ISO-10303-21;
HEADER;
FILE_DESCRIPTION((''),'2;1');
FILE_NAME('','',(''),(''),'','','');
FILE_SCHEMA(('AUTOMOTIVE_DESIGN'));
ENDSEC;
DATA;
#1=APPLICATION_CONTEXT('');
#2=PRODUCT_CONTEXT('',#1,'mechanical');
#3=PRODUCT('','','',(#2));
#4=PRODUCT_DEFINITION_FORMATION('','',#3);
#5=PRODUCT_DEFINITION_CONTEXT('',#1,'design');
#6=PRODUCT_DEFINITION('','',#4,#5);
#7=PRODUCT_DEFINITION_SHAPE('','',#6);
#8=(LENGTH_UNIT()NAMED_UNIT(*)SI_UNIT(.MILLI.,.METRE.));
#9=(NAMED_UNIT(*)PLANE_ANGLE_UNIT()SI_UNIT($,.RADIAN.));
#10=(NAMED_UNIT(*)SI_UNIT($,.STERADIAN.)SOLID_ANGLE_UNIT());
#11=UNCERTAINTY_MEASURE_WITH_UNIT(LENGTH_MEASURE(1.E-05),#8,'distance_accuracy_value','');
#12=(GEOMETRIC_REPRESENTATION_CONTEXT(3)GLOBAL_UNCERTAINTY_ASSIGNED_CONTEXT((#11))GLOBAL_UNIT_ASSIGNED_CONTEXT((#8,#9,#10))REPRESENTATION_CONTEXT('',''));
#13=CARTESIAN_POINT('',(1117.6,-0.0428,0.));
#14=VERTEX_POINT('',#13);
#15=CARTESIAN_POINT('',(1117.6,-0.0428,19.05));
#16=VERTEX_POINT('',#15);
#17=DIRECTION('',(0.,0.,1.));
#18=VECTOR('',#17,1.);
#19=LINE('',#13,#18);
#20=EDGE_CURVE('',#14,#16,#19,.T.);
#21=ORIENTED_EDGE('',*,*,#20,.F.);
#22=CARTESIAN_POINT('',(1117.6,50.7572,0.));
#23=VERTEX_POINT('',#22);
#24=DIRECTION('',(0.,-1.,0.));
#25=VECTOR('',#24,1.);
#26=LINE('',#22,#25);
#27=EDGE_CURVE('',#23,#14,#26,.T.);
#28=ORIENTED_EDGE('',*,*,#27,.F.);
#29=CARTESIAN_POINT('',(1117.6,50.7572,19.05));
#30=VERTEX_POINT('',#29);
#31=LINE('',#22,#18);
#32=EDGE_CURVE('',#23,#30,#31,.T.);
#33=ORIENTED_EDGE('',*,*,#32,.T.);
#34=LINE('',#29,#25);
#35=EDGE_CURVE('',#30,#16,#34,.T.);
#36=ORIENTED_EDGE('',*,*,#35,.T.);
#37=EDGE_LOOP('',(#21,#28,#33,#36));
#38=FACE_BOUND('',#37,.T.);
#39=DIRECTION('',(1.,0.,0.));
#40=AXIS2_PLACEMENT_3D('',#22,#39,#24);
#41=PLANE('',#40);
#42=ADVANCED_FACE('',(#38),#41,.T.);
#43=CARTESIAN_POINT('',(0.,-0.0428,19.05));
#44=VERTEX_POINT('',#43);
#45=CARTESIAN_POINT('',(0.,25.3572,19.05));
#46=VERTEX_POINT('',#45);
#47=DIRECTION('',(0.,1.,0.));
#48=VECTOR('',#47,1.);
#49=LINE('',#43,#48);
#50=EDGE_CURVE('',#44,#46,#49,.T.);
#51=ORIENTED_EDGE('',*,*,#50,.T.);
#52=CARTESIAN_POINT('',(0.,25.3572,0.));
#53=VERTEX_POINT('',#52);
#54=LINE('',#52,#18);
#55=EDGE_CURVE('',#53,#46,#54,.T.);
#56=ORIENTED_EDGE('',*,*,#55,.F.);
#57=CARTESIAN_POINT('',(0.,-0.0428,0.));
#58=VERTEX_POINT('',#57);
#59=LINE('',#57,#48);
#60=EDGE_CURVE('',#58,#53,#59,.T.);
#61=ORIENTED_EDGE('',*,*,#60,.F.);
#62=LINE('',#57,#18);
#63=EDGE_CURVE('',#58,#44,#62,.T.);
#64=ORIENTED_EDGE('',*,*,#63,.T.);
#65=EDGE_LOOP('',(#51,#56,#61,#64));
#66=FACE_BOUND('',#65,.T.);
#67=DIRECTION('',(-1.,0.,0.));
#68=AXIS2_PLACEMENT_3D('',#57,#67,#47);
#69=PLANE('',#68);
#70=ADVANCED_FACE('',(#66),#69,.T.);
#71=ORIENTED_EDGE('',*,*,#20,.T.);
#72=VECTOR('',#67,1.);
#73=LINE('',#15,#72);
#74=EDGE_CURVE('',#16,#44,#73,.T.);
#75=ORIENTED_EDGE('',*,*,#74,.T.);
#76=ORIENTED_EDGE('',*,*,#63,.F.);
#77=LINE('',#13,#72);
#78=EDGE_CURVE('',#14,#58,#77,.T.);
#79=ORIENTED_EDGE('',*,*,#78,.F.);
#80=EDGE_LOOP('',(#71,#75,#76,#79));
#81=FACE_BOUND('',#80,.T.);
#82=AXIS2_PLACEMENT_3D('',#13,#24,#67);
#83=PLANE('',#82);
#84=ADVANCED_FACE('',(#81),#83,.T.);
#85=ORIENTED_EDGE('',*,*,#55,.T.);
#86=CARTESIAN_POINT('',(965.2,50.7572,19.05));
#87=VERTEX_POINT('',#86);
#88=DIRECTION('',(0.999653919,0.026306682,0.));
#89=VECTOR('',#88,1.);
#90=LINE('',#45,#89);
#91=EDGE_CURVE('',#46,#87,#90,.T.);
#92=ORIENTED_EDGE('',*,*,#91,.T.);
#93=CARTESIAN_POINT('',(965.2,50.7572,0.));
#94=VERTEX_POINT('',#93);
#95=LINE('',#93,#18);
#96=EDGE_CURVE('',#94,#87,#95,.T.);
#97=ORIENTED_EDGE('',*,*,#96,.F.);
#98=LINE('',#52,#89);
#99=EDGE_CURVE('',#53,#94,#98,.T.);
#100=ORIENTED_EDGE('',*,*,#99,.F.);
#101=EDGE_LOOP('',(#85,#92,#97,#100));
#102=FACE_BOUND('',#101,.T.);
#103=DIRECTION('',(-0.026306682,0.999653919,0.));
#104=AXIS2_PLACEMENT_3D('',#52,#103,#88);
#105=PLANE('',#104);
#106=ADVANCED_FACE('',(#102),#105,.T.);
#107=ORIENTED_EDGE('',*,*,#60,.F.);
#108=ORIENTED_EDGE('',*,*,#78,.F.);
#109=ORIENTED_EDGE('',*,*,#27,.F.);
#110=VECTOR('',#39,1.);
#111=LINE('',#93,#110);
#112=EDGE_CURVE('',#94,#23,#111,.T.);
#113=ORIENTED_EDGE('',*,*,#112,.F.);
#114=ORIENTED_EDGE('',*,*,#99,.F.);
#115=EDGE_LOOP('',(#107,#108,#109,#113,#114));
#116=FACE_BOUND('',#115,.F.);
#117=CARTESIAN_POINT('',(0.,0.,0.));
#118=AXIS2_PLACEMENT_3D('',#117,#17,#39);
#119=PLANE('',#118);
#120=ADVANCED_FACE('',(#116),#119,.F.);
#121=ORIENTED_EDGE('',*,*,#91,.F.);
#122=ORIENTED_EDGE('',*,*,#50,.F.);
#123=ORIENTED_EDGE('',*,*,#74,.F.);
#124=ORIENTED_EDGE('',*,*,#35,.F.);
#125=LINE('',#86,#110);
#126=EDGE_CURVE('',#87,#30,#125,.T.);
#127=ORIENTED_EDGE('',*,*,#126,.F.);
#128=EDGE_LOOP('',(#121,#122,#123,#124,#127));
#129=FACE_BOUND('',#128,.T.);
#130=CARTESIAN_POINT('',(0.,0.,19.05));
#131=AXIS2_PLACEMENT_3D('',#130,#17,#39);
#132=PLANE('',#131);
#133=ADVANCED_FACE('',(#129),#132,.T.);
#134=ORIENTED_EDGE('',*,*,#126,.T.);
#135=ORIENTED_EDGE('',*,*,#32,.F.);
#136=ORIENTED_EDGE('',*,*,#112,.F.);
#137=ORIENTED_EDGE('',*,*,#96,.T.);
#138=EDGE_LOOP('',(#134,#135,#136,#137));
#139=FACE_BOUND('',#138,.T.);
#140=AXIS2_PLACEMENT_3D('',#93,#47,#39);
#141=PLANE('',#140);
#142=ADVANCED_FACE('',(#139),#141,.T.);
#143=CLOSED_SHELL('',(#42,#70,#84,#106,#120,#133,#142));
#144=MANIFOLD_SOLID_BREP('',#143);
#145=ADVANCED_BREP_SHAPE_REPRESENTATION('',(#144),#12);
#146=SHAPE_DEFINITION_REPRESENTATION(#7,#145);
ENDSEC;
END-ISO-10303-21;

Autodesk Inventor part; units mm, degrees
ref_plane "YZ Plane" through (0, 0, 0) normal (1, 0, 0) x (0, 1, 0)
ref_plane "XZ Plane" through (0, 0, 0) normal (0, 1, 0) x (-1, 0, 0)
ref_plane "XY Plane" through (0, 0, 0) normal (0, 0, 1) x (1, 0, 0)
sketch "Sketch1" plane through (0, 0, 0) normal (0, 0, 1) x (1, 0, 0)
  line L0 (965.2, 50.7572) -> (1117.6, 50.7572)
  line L1 (1117.6, 50.7572) -> (1117.6, -0.0428)
  line L2 (1117.6, -0.0428) -> (0, -0.0428)
  line L3 (0, -0.0428) -> (0, 25.3572)
  line L4 (0, 25.3572) -> (965.2, 50.7572)
  point P0 (0, 0)
extrude "Extrusion1" add sketch "Sketch1" along normal blind 19.05
properties part number "nd-a"
